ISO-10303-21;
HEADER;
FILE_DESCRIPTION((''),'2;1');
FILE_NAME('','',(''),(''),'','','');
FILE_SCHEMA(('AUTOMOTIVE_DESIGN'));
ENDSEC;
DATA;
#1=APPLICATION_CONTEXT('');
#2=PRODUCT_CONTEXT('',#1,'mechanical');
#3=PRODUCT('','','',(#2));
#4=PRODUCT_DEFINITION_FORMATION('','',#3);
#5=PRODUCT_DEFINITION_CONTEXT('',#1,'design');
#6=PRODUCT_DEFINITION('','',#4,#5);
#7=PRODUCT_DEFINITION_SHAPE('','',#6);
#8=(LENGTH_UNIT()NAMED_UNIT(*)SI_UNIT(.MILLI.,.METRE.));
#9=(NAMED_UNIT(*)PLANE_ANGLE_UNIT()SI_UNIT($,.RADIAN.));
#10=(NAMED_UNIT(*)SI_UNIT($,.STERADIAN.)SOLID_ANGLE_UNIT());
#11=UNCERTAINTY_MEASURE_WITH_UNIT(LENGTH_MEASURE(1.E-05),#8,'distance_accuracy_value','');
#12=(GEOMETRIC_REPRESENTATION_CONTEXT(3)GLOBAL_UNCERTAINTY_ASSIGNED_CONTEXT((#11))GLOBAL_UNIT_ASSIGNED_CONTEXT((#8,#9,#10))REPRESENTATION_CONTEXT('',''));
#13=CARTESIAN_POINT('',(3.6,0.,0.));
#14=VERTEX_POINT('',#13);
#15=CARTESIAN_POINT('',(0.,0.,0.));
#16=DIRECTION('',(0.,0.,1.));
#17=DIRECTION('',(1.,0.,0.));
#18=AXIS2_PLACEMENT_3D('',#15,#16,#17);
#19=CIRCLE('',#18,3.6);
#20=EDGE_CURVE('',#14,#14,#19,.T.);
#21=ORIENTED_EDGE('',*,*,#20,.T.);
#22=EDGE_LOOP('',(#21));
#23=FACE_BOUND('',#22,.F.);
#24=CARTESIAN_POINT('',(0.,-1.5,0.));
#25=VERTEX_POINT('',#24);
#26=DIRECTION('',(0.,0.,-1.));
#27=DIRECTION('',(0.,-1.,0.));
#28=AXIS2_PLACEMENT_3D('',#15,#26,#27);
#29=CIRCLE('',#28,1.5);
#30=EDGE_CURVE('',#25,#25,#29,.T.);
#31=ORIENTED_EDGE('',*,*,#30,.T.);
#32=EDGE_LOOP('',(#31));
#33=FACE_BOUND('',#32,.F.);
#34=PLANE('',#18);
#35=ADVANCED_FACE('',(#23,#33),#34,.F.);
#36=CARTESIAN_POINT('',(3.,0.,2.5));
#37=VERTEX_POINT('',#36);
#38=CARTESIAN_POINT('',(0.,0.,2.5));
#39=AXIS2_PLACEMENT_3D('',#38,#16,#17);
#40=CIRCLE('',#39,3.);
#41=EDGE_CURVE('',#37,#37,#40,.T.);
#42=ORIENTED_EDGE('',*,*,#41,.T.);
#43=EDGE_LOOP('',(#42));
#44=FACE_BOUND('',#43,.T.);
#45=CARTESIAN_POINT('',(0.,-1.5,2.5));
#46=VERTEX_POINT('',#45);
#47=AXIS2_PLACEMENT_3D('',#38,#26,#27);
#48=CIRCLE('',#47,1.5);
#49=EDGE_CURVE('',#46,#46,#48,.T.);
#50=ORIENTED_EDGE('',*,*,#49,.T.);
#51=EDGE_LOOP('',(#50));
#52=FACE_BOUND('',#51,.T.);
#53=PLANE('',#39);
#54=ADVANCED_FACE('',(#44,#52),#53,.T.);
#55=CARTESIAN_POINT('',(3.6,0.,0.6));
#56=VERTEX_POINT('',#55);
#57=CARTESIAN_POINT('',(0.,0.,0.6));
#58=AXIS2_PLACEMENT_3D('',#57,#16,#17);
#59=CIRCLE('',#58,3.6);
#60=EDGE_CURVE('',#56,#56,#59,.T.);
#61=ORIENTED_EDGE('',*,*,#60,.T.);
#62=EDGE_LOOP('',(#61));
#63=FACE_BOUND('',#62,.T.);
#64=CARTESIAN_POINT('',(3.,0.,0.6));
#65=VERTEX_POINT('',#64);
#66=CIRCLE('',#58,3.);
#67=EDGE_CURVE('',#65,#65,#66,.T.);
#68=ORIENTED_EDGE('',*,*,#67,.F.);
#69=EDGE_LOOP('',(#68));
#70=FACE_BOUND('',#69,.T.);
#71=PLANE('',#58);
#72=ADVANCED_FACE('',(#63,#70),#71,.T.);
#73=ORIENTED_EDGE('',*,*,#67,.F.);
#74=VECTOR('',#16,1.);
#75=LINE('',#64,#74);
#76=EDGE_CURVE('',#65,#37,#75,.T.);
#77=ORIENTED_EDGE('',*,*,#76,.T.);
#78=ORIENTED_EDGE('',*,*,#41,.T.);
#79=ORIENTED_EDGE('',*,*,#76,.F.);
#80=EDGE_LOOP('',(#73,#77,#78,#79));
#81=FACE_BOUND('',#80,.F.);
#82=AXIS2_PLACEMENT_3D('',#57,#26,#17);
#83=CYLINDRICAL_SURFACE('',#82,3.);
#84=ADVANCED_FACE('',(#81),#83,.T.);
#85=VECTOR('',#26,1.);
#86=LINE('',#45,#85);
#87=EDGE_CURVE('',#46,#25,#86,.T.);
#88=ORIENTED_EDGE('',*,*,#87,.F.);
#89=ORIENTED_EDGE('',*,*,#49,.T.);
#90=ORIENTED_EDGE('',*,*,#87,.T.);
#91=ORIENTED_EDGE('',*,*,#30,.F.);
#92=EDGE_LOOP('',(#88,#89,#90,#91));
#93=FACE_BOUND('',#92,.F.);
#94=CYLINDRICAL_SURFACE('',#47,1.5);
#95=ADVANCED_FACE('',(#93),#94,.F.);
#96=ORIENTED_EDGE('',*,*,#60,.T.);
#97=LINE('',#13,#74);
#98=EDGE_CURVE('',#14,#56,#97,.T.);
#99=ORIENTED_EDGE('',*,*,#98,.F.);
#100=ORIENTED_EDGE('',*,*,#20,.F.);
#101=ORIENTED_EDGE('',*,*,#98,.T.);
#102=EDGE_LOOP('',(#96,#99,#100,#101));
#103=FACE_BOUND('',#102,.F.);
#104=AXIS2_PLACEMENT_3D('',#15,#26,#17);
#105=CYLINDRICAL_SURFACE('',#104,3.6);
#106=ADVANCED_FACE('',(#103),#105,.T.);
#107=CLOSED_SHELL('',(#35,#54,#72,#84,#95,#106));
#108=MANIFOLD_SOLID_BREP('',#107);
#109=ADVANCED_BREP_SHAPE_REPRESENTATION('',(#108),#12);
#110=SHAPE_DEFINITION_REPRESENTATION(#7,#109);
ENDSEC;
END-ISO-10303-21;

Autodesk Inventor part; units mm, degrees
ref_plane "YZ Plane" through (0, 0, 0) normal (1, 0, 0) x (0, 1, 0)
ref_plane "XZ Plane" through (0, 0, 0) normal (0, 1, 0) x (-1, 0, 0)
ref_plane "XY Plane" through (0, 0, 0) normal (0, 0, 1) x (1, 0, 0)
sketch "スケッチ1" plane through (0, 0, 0) normal (0, 0, 1) x (1, 0, 0)
  circle A0 centre (0, 0) radius 3.6
  dimension "d0" = 7.2
extrude "押し出し1" add sketch "スケッチ1" along normal blind 0.6
sketch "スケッチ2" plane through (0, 0, 0.6) normal (0, 0, 1) x (1, 0, 0)
  circle A0 centre (0, 0) radius 3
  dimension "d3" = 6
extrude "押し出し2" add sketch "スケッチ2" along normal blind 1.9
sketch "スケッチ3" plane through (0, 0, 2.5) normal (0, 0, 1) x (1, 0, 0)
  point P0 (0, 0)
  point P1 (0, 0)
hole "穴1" at (0, 0, 2.5) direction (0, 0, -1) diameter 3 end through all
properties part number "MF63ZZ_ベアリング"
